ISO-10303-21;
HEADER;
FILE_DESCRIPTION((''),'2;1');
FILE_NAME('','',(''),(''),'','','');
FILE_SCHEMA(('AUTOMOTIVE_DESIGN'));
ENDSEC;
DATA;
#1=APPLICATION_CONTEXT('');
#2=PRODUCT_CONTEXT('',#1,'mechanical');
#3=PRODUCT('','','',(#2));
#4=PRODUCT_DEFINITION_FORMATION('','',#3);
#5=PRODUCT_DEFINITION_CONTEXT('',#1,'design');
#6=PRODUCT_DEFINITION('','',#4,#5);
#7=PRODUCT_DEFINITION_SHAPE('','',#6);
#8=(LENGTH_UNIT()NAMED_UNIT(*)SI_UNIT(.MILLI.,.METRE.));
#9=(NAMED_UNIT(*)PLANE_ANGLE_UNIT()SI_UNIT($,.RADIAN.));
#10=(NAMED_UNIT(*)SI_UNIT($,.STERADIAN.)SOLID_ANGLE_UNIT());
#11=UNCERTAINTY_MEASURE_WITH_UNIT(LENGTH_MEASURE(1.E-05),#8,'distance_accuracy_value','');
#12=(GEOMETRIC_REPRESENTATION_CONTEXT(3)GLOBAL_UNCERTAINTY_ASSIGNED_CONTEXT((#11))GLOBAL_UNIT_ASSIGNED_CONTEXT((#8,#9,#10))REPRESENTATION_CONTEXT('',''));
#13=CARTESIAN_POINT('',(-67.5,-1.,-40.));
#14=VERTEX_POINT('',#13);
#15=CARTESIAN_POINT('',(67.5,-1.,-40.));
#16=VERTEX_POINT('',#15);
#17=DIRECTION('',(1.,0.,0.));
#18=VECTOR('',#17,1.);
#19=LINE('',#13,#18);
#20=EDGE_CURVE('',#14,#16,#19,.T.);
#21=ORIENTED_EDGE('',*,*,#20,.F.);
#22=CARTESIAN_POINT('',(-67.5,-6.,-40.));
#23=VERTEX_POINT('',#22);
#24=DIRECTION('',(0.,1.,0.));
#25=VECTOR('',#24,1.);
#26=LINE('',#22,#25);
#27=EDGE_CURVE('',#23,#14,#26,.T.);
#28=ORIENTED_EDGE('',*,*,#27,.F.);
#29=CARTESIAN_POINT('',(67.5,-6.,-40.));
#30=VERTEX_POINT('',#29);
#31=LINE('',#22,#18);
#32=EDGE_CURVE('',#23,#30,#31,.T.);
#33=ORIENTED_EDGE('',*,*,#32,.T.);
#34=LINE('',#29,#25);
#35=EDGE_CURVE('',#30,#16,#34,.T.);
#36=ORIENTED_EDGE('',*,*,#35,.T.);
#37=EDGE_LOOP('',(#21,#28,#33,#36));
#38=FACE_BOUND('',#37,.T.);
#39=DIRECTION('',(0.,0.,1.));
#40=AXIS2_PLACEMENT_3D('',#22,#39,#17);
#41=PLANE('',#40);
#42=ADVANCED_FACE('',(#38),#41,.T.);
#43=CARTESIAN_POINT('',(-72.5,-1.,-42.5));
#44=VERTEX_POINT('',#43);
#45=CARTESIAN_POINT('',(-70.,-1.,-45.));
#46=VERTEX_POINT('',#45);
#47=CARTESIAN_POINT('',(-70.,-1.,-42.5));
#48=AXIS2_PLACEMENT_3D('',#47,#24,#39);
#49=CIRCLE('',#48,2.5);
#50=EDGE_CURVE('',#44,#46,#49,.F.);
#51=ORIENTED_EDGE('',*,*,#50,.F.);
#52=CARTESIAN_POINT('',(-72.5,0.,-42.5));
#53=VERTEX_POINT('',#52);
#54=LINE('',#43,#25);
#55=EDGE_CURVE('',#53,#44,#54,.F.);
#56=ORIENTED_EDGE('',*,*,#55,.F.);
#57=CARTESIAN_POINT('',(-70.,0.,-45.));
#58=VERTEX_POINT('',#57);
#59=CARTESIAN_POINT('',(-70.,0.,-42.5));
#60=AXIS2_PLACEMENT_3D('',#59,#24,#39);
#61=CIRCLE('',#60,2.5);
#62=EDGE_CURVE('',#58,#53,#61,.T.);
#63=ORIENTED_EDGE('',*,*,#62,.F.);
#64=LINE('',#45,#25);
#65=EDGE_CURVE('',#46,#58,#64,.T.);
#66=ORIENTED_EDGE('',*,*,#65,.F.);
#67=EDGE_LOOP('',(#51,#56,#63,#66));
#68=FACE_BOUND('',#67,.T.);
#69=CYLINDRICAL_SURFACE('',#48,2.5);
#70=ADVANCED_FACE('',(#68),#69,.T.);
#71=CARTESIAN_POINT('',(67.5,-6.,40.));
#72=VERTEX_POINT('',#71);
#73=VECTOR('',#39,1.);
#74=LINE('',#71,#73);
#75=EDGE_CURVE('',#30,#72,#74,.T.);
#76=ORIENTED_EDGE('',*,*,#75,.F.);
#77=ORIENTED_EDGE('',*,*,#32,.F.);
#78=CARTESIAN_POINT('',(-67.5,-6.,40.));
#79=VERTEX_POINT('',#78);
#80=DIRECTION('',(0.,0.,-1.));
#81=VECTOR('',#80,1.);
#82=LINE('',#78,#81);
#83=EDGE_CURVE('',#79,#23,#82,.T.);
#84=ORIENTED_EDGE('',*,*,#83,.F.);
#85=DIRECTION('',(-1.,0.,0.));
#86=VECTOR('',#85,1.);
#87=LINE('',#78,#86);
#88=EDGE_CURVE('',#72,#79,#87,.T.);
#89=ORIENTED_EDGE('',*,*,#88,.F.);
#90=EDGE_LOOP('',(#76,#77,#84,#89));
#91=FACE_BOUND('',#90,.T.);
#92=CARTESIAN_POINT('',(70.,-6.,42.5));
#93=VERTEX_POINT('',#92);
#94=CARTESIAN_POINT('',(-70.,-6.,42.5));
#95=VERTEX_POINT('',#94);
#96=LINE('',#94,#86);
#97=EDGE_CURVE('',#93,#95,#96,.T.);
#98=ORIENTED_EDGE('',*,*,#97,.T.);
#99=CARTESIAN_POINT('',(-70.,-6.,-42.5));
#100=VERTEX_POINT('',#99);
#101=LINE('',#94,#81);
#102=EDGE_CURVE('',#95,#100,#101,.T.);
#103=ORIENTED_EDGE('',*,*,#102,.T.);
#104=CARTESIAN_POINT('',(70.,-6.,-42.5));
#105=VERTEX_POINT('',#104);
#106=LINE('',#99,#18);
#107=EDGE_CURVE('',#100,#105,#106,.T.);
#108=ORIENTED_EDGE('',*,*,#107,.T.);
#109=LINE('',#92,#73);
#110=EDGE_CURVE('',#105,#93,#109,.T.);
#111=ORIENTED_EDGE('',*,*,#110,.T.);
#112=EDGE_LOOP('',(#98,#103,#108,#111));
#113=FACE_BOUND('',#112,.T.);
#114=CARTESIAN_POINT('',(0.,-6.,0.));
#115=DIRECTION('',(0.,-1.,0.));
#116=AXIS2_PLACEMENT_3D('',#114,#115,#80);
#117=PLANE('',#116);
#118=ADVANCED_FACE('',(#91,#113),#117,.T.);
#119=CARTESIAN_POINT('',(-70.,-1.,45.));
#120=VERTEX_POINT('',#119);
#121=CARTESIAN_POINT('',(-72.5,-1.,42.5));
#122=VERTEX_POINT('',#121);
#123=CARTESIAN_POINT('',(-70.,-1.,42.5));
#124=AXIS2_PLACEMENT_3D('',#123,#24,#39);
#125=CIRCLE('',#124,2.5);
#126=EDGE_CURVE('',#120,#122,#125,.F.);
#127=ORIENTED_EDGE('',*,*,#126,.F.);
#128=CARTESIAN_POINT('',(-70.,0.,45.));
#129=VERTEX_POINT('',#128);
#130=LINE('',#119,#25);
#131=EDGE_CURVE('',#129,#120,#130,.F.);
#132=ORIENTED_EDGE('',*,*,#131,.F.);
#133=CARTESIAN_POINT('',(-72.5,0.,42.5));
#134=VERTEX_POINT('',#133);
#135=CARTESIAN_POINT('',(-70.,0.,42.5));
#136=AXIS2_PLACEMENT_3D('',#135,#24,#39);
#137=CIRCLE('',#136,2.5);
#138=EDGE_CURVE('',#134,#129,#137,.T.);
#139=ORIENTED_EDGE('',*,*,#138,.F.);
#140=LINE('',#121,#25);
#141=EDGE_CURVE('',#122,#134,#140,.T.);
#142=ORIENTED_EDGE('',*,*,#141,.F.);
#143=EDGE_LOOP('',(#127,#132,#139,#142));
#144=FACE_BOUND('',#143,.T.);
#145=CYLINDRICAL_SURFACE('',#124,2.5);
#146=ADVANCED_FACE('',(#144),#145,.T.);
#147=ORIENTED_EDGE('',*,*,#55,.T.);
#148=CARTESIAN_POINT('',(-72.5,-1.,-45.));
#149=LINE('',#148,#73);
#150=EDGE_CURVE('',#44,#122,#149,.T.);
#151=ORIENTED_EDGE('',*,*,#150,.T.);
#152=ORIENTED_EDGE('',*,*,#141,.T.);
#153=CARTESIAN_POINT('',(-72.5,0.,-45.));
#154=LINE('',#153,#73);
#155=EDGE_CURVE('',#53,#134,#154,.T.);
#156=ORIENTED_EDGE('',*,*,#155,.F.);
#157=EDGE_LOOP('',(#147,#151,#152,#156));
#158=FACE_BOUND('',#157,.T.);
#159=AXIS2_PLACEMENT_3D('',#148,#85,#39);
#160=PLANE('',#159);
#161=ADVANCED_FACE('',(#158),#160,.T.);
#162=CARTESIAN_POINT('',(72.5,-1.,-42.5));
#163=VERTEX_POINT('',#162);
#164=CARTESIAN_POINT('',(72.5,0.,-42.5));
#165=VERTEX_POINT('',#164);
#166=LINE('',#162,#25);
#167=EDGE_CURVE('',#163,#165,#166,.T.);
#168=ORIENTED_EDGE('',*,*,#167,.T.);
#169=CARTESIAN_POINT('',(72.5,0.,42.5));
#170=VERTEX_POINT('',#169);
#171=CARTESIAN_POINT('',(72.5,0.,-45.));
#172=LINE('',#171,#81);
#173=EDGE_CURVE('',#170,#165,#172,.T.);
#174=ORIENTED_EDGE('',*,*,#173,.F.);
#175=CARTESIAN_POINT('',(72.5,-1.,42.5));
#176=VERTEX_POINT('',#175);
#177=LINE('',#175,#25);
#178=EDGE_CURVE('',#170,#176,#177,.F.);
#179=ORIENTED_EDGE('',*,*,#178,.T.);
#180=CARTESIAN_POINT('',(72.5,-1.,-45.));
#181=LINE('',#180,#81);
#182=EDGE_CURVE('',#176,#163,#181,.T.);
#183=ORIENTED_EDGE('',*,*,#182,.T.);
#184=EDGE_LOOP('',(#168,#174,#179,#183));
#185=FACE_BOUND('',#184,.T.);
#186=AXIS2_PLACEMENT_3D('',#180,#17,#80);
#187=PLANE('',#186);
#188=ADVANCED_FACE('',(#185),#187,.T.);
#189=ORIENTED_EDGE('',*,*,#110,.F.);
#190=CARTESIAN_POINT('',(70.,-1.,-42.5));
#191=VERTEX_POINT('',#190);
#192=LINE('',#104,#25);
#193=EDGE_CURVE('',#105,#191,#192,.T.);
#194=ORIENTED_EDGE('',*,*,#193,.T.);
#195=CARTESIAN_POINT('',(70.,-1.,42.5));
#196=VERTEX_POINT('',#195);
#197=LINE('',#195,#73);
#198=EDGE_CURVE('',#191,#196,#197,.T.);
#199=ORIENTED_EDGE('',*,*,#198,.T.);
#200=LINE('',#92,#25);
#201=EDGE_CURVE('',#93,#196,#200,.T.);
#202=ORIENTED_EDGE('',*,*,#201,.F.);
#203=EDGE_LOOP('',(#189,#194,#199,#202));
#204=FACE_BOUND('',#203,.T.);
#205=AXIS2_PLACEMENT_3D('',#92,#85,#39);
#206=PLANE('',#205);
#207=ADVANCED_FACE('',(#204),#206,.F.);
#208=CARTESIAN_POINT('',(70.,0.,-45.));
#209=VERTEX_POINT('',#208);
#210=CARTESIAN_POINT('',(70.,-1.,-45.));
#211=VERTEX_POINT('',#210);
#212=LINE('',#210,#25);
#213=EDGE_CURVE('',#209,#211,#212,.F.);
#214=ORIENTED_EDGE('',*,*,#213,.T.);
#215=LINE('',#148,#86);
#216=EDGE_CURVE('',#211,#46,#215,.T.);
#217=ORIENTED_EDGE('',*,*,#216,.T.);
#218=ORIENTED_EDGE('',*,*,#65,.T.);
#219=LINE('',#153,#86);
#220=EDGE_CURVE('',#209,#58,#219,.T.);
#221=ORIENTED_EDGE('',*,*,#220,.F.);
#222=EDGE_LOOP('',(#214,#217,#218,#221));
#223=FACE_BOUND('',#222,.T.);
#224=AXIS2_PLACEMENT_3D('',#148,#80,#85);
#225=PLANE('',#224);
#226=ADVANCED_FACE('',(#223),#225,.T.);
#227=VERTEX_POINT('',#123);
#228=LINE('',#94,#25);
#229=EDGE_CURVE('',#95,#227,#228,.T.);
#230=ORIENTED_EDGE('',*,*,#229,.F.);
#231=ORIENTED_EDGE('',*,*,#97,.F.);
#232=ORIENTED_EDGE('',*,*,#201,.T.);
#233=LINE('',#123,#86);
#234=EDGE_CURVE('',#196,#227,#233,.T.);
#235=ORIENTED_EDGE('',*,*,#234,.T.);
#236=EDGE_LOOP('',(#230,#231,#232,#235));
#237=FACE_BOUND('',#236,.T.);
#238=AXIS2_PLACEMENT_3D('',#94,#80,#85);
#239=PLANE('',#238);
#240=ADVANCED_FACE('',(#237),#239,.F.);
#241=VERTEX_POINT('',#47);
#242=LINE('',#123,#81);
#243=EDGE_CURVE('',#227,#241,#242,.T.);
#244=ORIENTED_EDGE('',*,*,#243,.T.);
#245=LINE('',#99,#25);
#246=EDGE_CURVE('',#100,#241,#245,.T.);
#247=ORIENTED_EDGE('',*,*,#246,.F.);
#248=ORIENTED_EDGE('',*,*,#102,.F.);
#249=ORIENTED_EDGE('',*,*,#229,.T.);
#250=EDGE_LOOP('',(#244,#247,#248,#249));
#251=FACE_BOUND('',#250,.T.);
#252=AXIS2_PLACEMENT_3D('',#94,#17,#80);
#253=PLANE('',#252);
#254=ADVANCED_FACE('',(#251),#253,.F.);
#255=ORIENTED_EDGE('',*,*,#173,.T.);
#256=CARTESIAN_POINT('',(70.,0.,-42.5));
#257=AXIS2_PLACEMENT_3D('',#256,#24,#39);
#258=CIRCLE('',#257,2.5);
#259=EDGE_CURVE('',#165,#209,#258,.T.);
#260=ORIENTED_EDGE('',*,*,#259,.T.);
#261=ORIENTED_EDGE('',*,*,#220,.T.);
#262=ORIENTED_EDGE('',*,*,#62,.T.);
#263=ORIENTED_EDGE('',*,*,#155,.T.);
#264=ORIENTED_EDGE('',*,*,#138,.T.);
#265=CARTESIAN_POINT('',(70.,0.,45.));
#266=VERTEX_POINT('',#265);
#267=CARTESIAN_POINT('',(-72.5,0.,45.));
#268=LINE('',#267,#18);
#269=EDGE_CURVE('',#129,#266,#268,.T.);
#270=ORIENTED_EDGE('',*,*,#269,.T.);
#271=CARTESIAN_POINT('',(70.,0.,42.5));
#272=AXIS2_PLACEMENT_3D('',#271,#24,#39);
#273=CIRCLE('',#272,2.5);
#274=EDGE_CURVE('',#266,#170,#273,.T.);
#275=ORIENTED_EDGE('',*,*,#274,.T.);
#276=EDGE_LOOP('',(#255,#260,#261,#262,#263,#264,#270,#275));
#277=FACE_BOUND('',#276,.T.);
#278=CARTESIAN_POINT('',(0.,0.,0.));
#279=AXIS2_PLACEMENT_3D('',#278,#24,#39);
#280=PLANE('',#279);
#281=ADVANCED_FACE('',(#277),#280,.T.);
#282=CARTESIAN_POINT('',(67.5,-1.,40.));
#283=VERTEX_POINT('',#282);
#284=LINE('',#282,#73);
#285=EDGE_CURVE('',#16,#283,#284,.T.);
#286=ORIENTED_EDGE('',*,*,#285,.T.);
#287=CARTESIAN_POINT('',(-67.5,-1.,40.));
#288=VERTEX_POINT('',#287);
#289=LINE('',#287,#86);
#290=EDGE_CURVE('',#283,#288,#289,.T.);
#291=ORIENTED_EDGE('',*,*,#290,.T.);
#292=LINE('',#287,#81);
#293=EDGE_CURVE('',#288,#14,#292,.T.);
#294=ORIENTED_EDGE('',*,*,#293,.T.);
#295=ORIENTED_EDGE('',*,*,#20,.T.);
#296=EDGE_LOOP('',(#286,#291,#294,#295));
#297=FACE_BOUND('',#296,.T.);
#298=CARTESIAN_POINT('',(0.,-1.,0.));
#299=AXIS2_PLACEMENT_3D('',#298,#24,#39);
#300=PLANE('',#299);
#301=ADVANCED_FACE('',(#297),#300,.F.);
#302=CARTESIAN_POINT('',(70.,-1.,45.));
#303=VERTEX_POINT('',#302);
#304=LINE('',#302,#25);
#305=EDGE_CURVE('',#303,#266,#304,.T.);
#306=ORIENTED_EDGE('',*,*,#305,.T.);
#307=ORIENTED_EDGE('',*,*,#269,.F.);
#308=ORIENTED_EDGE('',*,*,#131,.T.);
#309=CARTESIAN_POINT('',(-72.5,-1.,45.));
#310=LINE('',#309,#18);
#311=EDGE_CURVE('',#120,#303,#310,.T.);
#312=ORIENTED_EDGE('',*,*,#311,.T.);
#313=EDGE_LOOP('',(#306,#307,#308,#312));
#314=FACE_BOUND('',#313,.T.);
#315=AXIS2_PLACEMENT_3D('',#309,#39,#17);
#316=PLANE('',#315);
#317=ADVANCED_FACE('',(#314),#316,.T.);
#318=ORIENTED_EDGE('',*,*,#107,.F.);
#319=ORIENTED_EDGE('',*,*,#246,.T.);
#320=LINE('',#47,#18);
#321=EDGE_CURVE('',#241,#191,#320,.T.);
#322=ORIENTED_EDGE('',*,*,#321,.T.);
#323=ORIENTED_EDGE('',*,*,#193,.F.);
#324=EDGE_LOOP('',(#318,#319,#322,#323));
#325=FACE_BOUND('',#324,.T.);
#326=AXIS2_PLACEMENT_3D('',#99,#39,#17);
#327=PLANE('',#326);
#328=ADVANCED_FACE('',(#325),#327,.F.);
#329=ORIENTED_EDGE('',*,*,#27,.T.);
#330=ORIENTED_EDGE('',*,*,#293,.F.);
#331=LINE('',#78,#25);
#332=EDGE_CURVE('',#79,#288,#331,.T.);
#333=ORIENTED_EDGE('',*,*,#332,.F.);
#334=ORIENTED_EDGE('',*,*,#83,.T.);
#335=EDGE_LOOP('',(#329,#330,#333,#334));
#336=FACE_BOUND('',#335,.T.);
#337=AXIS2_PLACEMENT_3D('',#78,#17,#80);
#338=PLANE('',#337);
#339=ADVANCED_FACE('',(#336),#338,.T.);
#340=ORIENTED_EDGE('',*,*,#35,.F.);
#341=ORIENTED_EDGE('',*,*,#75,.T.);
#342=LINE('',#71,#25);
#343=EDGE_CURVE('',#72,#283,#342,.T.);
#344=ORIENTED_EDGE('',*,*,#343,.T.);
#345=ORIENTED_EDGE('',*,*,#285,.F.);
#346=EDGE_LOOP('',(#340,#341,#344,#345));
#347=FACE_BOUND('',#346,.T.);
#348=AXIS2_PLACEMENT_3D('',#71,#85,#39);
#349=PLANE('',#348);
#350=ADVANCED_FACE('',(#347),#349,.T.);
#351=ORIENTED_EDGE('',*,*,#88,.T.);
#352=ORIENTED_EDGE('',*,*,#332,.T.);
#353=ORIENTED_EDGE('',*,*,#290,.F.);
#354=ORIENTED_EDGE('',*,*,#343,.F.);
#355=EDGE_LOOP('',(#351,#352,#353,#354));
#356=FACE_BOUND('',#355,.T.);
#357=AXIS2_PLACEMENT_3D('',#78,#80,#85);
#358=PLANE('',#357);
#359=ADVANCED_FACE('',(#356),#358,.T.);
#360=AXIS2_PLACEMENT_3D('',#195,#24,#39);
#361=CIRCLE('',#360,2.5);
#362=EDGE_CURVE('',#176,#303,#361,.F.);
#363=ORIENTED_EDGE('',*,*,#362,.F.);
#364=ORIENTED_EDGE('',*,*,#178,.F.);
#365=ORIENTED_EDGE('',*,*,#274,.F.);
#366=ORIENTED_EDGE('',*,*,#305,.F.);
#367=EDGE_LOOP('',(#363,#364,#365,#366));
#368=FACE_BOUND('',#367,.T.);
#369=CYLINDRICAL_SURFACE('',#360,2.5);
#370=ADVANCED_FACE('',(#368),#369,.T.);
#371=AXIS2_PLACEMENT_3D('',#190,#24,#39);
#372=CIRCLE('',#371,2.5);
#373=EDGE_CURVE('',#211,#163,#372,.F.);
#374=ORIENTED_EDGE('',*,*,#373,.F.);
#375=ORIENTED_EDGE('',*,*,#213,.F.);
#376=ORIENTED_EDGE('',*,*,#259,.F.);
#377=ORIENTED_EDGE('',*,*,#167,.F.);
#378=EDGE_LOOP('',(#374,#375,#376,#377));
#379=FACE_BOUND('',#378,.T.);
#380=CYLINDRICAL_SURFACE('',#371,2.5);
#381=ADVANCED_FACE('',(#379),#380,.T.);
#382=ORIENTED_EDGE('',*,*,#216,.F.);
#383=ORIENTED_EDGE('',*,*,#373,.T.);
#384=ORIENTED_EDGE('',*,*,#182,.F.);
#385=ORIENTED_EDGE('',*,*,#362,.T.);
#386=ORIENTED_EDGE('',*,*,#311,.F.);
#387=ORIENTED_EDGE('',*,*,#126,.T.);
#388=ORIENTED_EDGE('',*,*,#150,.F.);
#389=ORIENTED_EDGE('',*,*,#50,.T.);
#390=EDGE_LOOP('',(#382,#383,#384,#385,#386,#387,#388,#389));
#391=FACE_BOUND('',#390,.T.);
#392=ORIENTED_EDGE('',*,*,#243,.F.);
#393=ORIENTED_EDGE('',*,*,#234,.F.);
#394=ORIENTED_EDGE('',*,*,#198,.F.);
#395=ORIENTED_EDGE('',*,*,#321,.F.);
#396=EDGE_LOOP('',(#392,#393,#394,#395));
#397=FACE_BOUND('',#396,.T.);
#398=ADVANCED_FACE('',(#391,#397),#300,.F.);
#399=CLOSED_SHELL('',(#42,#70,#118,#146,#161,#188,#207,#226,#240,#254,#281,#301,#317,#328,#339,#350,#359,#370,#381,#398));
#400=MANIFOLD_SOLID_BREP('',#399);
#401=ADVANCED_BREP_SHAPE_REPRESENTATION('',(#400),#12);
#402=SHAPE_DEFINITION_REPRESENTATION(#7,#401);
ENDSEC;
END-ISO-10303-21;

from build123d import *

# Parameters (mm, degrees)
SKETCH1_W           = 145
SKETCH1_H           = 90
BOSS_EXTRUDE1_DEPTH = 1
SKETCH2_W           = 140
SKETCH2_H           = 85
SKETCH2_W_2         = 135
SKETCH2_H_2         = 80
BOSS_EXTRUDE2_DEPTH = 5
FILLET1_R           = 2.5


with BuildPart() as part:
    # Sketch1 → Boss-Extrude1 (new body)
    with BuildSketch(Plane(origin=(0, 0, 0), x_dir=(1, 0, 0), z_dir=(0, 1, 0))):
        Rectangle(SKETCH1_W, SKETCH1_H)
    extrude(amount=-BOSS_EXTRUDE1_DEPTH)

    # Sketch2 → Boss-Extrude2 (add)
    with BuildSketch(Plane.XZ.offset(1)):
        Rectangle(SKETCH2_W, SKETCH2_H)
        Rectangle(SKETCH2_W_2, SKETCH2_H_2, mode=Mode.SUBTRACT)
    extrude(amount=BOSS_EXTRUDE2_DEPTH)

    # Fillet1
    fillet1_edges = [part.edges().sort_by_distance(p)[0] for p in [
        (72.5, -0.5, 45),
        (-72.5, -0.5, 45),
        (-72.5, -0.5, -45),
        (72.5, -0.5, -45),
    ]]
    fillet(fillet1_edges, radius=FILLET1_R)


solid = part.part
